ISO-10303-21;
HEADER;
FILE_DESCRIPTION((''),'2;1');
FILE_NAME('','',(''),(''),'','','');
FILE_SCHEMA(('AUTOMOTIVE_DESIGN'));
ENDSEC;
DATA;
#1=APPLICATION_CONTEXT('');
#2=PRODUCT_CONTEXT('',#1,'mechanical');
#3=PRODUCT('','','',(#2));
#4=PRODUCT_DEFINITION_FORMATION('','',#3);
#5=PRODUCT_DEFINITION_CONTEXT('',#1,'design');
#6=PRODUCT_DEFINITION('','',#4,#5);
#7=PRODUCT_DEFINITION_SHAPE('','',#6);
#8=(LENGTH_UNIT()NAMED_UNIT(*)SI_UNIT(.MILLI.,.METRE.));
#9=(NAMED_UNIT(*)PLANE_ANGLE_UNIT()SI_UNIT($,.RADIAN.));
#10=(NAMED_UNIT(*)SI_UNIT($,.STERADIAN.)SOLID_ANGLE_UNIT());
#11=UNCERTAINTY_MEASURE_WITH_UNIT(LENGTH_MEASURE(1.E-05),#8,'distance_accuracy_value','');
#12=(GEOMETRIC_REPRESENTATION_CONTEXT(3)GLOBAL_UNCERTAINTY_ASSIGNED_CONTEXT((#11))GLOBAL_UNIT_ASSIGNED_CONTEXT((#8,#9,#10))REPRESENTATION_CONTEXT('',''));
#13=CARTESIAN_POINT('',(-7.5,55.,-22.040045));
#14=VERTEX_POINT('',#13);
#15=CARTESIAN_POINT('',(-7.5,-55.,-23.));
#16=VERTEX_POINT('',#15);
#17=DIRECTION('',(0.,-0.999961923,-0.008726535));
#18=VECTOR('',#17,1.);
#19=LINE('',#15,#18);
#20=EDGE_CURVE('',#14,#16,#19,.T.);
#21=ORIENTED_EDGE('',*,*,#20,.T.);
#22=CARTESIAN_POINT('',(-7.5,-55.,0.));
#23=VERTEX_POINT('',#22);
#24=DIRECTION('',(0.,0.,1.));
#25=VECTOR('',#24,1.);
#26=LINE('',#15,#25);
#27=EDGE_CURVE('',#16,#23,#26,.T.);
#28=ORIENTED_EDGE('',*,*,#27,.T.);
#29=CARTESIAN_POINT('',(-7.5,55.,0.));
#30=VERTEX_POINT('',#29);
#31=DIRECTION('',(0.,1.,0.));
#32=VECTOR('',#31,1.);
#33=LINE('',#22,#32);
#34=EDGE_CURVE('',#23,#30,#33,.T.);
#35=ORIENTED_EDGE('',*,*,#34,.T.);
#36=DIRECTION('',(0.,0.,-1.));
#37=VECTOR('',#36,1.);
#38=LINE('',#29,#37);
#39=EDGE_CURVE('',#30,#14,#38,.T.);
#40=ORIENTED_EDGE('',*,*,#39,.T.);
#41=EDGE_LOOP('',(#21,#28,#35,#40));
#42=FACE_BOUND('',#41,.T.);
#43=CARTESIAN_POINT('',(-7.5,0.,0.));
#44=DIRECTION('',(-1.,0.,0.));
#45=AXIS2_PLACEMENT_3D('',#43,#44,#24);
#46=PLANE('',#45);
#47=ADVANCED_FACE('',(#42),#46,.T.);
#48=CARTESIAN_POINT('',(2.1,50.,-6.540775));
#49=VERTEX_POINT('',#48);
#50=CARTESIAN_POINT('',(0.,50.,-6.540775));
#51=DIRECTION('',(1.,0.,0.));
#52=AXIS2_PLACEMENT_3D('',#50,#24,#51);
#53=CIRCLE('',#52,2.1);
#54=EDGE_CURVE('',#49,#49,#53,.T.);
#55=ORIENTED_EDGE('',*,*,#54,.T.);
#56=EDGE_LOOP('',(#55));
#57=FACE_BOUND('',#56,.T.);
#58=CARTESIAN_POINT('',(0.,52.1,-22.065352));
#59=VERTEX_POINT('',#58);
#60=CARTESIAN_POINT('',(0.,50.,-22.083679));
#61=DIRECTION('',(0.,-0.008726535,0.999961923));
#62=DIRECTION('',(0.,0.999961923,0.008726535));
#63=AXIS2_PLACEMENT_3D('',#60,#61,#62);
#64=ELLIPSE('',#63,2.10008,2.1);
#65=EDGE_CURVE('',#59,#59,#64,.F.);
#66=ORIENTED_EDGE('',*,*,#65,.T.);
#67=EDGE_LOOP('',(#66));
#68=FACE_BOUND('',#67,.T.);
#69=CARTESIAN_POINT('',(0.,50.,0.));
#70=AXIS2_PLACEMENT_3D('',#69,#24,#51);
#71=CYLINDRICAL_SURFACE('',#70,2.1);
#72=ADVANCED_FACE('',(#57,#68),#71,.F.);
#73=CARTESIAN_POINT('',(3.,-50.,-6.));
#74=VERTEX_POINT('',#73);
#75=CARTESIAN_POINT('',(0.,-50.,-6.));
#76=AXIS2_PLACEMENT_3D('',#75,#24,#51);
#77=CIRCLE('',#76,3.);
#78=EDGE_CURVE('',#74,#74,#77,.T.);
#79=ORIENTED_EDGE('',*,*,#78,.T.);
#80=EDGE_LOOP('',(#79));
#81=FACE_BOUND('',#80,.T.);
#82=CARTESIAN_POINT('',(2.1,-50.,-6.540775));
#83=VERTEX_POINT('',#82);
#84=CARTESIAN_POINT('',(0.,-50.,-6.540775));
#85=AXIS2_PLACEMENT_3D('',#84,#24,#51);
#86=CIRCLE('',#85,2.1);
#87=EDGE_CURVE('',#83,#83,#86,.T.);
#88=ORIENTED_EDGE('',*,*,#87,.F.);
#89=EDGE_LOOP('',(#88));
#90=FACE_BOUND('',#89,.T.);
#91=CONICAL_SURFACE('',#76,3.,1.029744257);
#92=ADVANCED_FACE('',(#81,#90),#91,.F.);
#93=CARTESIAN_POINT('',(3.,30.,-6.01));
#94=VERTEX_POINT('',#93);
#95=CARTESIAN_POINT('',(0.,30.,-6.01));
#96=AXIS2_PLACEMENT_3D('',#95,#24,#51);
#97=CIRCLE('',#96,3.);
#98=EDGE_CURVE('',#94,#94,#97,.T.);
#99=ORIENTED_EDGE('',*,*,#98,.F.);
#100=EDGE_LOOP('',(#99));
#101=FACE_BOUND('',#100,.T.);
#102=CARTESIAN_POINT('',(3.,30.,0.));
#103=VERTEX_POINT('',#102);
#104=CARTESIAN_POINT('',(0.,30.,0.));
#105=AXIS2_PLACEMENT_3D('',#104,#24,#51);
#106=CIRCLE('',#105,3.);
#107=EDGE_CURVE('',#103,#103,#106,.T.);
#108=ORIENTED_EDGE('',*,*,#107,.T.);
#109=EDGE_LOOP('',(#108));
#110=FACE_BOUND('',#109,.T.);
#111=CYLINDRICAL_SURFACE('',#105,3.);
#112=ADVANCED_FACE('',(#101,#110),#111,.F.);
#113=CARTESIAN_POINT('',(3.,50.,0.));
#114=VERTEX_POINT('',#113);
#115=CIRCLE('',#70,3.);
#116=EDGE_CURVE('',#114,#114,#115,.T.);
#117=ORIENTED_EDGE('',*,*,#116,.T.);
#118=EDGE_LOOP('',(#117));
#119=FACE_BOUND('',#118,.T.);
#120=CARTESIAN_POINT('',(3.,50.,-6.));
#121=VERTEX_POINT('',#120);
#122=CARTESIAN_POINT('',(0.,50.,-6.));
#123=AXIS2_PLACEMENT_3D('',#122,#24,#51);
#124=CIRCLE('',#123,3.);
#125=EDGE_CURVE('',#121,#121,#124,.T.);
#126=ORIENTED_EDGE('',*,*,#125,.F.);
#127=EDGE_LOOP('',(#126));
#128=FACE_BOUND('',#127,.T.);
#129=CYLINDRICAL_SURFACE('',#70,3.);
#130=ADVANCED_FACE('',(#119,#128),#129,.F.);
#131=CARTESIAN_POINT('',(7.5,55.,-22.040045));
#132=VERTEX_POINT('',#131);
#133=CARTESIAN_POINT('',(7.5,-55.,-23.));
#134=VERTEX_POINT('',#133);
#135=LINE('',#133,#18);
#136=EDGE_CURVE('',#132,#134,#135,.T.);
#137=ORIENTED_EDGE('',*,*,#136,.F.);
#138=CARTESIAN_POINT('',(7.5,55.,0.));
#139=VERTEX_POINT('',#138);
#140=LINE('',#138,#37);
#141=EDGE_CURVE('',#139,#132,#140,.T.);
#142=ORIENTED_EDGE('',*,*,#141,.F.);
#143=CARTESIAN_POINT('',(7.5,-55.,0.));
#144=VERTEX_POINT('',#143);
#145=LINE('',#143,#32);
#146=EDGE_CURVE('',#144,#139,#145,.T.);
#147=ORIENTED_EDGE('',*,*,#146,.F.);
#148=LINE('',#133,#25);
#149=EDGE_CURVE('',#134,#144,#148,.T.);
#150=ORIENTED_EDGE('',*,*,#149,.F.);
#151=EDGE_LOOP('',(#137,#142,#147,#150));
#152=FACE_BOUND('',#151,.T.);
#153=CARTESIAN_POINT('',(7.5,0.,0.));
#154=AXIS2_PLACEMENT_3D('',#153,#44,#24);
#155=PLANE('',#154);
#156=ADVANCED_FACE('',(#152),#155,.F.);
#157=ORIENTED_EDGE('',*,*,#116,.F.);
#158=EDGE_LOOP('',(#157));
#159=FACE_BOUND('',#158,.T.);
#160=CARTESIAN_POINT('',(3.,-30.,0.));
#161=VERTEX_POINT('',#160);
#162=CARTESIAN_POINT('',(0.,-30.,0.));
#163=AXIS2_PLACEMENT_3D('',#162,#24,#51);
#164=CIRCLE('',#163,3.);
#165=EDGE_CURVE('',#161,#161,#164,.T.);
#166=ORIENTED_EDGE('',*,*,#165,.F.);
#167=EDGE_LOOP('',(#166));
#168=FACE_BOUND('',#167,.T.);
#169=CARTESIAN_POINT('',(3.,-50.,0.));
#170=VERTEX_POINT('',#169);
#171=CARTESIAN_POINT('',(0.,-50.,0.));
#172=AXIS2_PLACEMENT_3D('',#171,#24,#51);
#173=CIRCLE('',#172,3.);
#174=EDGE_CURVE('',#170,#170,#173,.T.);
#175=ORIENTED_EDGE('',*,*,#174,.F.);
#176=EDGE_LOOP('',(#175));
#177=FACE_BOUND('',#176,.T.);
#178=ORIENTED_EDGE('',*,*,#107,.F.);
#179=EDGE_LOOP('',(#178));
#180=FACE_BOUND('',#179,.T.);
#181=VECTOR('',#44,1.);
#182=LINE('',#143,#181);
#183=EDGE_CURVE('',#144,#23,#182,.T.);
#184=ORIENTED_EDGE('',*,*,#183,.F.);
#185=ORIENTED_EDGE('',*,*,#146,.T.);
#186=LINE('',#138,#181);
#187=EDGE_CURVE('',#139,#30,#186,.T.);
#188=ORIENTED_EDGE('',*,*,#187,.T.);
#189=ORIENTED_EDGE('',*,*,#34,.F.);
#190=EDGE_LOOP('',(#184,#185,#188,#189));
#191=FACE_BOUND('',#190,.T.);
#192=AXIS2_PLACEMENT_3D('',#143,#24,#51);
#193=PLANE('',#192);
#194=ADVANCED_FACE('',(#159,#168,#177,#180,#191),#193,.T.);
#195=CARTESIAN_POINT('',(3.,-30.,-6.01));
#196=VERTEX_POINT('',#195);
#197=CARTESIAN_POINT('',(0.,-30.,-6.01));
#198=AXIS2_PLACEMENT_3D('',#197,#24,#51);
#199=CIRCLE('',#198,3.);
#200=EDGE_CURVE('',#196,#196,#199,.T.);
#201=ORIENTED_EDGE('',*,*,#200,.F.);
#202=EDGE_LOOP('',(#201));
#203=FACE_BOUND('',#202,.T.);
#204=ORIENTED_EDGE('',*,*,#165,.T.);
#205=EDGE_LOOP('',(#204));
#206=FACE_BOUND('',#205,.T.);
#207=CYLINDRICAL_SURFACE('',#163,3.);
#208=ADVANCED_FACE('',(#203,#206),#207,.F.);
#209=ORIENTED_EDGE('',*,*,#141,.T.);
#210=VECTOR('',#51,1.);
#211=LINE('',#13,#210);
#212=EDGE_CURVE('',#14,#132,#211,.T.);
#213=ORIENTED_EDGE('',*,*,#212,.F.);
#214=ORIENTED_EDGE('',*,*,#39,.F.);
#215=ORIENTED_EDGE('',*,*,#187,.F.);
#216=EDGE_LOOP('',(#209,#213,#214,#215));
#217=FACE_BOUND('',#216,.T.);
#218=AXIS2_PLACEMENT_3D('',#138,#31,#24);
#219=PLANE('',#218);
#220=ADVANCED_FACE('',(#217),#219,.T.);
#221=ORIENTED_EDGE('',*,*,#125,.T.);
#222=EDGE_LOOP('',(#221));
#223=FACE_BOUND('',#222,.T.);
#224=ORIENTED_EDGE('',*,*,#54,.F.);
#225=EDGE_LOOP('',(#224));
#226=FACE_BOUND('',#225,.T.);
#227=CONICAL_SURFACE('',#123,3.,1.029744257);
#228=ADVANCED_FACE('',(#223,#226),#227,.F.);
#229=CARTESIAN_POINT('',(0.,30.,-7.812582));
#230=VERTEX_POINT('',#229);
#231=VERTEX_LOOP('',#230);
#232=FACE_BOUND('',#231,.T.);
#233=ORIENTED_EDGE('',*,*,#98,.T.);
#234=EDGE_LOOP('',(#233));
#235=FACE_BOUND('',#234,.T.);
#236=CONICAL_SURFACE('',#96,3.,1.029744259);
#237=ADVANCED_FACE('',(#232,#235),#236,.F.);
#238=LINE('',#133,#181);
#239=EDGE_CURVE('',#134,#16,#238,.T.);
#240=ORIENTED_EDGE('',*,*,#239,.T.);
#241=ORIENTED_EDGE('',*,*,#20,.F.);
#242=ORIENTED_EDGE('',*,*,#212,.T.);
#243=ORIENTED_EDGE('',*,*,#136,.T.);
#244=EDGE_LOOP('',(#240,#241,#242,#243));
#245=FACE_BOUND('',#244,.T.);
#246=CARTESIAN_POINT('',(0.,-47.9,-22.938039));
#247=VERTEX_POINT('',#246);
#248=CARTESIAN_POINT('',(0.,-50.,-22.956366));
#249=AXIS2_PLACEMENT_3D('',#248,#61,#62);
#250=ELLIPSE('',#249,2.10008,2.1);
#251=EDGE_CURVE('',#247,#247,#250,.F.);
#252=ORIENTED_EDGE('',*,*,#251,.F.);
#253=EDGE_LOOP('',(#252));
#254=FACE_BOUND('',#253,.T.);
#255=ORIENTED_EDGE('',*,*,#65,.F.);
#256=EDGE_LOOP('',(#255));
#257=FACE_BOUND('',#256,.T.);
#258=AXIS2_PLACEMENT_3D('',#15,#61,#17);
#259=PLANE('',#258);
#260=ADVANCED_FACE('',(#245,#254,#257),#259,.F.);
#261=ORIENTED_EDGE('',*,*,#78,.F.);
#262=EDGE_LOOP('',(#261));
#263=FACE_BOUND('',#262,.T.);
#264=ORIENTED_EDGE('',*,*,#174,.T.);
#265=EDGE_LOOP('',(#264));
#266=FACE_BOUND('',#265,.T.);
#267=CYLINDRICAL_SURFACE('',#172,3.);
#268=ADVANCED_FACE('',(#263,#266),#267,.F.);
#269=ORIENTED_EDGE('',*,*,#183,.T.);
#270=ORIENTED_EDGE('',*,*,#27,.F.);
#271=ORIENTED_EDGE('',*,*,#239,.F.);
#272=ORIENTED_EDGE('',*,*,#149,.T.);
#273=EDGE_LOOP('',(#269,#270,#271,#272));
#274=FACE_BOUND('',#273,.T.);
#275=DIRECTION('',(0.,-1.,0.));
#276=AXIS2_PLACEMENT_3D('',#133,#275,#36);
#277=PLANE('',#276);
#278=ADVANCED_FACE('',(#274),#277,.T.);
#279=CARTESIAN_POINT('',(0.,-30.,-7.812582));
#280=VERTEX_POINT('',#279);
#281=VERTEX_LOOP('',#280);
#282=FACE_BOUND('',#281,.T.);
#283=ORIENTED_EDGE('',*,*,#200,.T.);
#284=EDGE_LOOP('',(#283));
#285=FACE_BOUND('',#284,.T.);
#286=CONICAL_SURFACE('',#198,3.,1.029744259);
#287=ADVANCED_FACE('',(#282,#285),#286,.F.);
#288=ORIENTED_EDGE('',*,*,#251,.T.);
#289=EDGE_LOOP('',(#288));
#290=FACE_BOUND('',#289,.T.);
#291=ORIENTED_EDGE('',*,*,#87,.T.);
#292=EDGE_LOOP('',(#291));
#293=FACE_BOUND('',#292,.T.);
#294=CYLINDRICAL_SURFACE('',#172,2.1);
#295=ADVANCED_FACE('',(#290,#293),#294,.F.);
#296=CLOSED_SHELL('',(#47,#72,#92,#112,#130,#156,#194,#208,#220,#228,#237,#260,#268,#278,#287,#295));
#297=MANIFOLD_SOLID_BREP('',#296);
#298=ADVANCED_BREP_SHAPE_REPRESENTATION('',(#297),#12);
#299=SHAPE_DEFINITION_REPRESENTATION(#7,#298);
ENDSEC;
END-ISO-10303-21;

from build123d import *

# Parameters (mm, degrees)
SKETCH1_W                                      = 110
SKETCH1_H                                      = 23
BOSS_EXTRUDE1_DEPTH                            = 15
F_6_0_6_DIAMETER_HOLE1_D                       = 6
F_6_0_6_DIAMETER_HOLE1_DEPTH                   = 6.01
F_6_0_6_DIAMETER_HOLE1_TIP                     = 1.802581857
CSK_FOR_M3_5_FLAT_HEAD_MACHINE_SCREW1_AT_COUNT = 2
CSK_FOR_M3_5_FLAT_HEAD_MACHINE_SCREW1_AT_PITCH = 100
CUT_EXTRUDE1_DEPTH                             = 62.473571557


with BuildPart() as part:
    # Sketch1 → Boss-Extrude1 (new body)
    with BuildSketch(Plane(origin=(-7.5, 0, 0), x_dir=(0, -1, 0), z_dir=(-1, 0, 0))):
        with Locations((0, -11.5)):
            Rectangle(SKETCH1_W, SKETCH1_H)
    extrude(amount=-BOSS_EXTRUDE1_DEPTH)

    # Ø6.0 (6) Diameter Hole1
    with Locations(Plane.XY):
        with Locations((0, 30), (0, -30)):
            Hole(F_6_0_6_DIAMETER_HOLE1_D / 2, depth=F_6_0_6_DIAMETER_HOLE1_DEPTH)
            with Locations((0, 0, -(F_6_0_6_DIAMETER_HOLE1_DEPTH + F_6_0_6_DIAMETER_HOLE1_TIP / 2))):  # 118° drill point
                Cone(0, F_6_0_6_DIAMETER_HOLE1_D / 2, F_6_0_6_DIAMETER_HOLE1_TIP, mode=Mode.SUBTRACT)

    # Sketch4 → CSK for M3.5 Flat Head Machine Screw1 (revolve, cut)
    with BuildSketch(Plane(origin=(0, 50, 0), x_dir=(0, -1, 0), z_dir=(1, 0, 0))):
        Polygon((0, 0), (0, 23), (2.1, 23), (2.1, 6.540774559), (3, 6), (3, 0), align=None)
    csk_for_m3_5_flat_head_machine_screw1 = revolve(axis=Axis((0, 50, 6.35), (0, 0, -1)), mode=Mode.SUBTRACT)

    # CSK for M3.5 Flat Head Machine Screw1 at: CSK for M3.5 Flat Head Machine Screw1 ×2
    with Locations(*[(0, -i * CSK_FOR_M3_5_FLAT_HEAD_MACHINE_SCREW1_AT_PITCH, 0) for i in range(1, CSK_FOR_M3_5_FLAT_HEAD_MACHINE_SCREW1_AT_COUNT)]):
        add(csk_for_m3_5_flat_head_machine_screw1, mode=Mode.SUBTRACT)

    # Sketch6 → Cut-Extrude1 (cut, through all)
    with BuildSketch(Plane(origin=(7.5, 0, 0), x_dir=(0, 0, -1), z_dir=(1, 0, 0))):
        Polygon((23, -55), (22.040044543, 55), (23, 55), align=None)
    extrude(amount=-CUT_EXTRUDE1_DEPTH, mode=Mode.SUBTRACT)


solid = part.part
